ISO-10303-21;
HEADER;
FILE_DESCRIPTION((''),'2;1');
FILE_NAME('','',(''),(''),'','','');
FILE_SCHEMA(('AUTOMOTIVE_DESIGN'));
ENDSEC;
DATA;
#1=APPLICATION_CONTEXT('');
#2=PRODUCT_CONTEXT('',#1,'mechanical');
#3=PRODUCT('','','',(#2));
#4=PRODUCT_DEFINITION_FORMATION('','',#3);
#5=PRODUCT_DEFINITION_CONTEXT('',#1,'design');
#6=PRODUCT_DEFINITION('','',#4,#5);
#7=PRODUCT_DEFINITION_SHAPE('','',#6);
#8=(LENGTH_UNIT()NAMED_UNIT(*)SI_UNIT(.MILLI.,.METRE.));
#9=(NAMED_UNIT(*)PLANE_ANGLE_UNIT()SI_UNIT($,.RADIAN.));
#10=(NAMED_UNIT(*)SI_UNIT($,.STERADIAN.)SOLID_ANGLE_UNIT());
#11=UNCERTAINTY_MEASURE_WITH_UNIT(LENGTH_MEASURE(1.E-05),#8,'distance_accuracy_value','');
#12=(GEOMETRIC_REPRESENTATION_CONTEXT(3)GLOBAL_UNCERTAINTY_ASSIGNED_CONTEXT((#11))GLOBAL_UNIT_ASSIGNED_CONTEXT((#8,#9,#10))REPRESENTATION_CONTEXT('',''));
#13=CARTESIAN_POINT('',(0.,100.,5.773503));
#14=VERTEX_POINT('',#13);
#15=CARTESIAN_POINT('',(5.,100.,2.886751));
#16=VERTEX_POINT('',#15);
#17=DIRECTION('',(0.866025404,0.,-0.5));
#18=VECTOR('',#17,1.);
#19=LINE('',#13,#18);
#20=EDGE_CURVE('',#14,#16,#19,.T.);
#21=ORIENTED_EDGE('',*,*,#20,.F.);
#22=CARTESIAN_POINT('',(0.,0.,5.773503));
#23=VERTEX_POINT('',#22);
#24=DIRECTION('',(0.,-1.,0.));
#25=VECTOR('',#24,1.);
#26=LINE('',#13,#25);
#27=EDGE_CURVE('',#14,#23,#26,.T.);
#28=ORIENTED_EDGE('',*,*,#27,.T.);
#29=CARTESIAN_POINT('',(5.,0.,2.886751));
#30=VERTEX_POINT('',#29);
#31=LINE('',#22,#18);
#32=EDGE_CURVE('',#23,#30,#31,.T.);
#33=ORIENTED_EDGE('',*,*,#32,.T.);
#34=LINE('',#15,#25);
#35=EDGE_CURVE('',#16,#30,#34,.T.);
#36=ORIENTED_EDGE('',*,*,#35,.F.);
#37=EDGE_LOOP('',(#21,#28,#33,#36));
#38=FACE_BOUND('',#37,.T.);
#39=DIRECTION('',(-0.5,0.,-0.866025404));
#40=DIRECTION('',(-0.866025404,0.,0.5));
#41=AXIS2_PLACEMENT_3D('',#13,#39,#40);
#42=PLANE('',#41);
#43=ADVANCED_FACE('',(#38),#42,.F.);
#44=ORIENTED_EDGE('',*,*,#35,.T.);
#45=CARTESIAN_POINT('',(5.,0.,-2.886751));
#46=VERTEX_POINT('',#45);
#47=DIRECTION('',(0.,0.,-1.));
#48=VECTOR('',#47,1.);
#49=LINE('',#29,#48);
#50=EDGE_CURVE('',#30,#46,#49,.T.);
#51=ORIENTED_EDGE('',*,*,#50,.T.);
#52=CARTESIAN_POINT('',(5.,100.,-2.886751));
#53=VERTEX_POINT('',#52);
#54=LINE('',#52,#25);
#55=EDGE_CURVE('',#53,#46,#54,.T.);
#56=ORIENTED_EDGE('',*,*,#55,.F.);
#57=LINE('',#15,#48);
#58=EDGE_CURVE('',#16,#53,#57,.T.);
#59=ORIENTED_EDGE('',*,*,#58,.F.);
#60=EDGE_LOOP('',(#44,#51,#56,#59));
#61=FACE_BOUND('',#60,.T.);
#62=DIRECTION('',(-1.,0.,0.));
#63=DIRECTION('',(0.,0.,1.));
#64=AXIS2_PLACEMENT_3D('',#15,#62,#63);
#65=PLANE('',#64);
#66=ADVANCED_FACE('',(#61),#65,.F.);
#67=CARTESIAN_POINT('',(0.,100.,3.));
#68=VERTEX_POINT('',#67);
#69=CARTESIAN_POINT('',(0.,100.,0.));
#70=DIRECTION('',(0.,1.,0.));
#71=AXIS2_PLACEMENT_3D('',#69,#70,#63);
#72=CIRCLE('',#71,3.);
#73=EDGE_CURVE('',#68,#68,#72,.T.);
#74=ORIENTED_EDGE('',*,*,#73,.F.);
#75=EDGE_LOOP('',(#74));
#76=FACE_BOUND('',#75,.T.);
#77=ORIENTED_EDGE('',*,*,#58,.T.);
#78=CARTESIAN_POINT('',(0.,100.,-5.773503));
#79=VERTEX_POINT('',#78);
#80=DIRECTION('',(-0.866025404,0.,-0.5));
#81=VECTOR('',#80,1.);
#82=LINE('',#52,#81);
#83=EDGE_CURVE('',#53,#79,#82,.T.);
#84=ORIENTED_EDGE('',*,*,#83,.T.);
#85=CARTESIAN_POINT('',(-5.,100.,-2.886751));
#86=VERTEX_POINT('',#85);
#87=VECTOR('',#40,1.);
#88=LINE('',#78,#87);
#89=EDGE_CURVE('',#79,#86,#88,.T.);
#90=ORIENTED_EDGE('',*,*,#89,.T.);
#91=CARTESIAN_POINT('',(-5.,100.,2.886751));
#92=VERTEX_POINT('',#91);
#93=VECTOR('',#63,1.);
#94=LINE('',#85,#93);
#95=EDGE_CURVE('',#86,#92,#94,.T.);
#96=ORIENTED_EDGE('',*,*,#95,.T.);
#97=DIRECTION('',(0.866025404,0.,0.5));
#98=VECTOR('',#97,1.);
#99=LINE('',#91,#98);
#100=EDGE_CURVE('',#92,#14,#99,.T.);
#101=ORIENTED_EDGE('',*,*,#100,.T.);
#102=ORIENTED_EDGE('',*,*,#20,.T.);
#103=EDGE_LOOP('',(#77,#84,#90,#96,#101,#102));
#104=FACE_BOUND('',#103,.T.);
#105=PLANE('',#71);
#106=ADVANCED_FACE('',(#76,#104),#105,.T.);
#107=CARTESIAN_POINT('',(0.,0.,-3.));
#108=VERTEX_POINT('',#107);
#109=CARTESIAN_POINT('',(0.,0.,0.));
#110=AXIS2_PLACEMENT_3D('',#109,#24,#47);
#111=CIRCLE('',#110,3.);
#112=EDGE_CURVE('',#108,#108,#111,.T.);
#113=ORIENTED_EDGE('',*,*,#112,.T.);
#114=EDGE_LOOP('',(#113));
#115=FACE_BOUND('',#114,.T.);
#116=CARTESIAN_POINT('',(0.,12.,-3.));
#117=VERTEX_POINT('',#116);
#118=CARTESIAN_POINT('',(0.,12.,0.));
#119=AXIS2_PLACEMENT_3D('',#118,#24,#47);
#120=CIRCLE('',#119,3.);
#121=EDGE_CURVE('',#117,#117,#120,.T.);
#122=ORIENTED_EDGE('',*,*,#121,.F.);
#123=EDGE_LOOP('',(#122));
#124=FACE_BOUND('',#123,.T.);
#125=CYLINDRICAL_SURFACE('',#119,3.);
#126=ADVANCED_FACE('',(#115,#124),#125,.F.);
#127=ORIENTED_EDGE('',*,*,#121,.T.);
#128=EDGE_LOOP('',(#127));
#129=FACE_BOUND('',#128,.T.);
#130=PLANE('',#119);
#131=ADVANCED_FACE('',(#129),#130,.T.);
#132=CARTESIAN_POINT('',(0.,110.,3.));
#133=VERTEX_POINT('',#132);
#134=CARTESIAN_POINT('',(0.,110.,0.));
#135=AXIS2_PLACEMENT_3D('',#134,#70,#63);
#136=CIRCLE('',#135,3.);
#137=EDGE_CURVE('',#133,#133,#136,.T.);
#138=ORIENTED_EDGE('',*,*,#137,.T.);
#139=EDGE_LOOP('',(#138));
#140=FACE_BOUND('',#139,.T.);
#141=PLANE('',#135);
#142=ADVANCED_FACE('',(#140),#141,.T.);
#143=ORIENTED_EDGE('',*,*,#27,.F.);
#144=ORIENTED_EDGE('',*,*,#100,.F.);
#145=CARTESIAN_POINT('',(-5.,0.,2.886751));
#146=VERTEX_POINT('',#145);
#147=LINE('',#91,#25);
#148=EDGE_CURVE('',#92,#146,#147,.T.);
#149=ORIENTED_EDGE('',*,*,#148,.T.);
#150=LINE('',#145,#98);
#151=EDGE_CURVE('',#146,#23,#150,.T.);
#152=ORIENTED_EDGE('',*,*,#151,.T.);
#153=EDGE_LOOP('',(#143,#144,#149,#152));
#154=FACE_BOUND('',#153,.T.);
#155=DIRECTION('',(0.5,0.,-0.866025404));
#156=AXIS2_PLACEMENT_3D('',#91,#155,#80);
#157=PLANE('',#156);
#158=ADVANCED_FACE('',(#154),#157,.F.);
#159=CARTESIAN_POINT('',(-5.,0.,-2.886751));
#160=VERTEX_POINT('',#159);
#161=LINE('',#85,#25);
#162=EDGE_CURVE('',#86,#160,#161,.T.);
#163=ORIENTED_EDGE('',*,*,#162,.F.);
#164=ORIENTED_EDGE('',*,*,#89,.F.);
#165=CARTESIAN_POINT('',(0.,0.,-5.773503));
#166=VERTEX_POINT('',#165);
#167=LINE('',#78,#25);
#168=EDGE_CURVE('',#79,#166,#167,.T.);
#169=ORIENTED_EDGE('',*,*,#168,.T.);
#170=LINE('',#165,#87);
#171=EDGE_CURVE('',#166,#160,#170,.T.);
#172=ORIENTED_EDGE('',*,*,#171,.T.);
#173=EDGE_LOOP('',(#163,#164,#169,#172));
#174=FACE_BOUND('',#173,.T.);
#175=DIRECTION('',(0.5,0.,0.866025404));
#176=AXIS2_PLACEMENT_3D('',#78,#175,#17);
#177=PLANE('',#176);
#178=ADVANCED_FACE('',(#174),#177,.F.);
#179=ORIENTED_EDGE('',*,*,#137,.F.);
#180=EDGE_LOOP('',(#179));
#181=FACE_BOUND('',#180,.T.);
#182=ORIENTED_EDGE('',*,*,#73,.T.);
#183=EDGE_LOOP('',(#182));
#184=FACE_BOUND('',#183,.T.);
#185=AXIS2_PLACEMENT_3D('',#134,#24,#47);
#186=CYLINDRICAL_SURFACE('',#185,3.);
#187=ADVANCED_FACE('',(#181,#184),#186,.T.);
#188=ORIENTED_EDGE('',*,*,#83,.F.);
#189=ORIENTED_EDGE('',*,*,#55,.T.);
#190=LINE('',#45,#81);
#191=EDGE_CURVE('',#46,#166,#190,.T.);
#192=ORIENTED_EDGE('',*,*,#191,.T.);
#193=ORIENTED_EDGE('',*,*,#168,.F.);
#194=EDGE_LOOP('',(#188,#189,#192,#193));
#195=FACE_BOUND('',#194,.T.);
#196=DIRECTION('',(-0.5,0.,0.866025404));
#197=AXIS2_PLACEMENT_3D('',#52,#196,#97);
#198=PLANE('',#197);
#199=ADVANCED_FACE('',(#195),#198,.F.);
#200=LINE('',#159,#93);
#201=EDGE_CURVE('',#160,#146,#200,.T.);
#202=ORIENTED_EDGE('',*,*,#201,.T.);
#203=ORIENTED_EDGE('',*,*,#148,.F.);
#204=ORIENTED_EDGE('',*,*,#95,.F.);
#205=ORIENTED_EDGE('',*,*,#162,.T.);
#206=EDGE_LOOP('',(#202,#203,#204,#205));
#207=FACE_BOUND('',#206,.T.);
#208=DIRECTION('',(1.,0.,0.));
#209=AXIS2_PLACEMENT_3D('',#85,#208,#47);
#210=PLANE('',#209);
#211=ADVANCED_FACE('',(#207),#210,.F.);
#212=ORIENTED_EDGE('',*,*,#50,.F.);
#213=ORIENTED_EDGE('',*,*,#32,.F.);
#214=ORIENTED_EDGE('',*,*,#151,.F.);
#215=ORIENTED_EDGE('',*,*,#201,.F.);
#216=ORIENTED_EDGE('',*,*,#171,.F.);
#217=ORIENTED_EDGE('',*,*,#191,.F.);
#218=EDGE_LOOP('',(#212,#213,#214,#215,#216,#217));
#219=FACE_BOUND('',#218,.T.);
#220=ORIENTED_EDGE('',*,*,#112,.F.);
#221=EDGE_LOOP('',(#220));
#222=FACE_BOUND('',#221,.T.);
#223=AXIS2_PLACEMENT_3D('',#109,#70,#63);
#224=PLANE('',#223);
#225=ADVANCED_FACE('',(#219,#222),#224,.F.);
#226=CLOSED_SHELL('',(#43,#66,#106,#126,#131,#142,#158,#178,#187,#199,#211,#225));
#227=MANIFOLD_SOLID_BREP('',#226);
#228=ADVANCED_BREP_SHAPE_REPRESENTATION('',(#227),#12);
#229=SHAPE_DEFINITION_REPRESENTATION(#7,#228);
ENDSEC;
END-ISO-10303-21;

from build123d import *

# Parameters (mm, degrees)
BOSS_EXTRUDE1_DEPTH = 100
SKETCH2_R           = 3
BOSS_EXTRUDE2_DEPTH = 10
SKETCH3_R           = 3
CUT_EXTRUDE1_DEPTH  = 12


with BuildPart() as part:
    # Sketch1 → Boss-Extrude1 (new body)
    with BuildSketch(Plane(origin=(0, 0, 0), x_dir=(1, 0, 0), z_dir=(0, 1, 0))):
        Polygon((0, -5.773502692), (5, -2.886751346), (5, 2.886751346), (0, 5.773502692), (-5, 2.886751346), (-5, -2.886751346), align=None)
    extrude(amount=BOSS_EXTRUDE1_DEPTH)

    # Sketch2 → Boss-Extrude2 (add)
    with BuildSketch(Plane(origin=(0, 100, 0), x_dir=(1, 0, 0), z_dir=(0, 1, 0))):
        Circle(SKETCH2_R)
    extrude(amount=BOSS_EXTRUDE2_DEPTH)

    # Sketch3 → Cut-Extrude1 (cut)
    with BuildSketch(Plane.XZ):
        Circle(SKETCH3_R)
    extrude(amount=-CUT_EXTRUDE1_DEPTH, mode=Mode.SUBTRACT)


solid = part.part
